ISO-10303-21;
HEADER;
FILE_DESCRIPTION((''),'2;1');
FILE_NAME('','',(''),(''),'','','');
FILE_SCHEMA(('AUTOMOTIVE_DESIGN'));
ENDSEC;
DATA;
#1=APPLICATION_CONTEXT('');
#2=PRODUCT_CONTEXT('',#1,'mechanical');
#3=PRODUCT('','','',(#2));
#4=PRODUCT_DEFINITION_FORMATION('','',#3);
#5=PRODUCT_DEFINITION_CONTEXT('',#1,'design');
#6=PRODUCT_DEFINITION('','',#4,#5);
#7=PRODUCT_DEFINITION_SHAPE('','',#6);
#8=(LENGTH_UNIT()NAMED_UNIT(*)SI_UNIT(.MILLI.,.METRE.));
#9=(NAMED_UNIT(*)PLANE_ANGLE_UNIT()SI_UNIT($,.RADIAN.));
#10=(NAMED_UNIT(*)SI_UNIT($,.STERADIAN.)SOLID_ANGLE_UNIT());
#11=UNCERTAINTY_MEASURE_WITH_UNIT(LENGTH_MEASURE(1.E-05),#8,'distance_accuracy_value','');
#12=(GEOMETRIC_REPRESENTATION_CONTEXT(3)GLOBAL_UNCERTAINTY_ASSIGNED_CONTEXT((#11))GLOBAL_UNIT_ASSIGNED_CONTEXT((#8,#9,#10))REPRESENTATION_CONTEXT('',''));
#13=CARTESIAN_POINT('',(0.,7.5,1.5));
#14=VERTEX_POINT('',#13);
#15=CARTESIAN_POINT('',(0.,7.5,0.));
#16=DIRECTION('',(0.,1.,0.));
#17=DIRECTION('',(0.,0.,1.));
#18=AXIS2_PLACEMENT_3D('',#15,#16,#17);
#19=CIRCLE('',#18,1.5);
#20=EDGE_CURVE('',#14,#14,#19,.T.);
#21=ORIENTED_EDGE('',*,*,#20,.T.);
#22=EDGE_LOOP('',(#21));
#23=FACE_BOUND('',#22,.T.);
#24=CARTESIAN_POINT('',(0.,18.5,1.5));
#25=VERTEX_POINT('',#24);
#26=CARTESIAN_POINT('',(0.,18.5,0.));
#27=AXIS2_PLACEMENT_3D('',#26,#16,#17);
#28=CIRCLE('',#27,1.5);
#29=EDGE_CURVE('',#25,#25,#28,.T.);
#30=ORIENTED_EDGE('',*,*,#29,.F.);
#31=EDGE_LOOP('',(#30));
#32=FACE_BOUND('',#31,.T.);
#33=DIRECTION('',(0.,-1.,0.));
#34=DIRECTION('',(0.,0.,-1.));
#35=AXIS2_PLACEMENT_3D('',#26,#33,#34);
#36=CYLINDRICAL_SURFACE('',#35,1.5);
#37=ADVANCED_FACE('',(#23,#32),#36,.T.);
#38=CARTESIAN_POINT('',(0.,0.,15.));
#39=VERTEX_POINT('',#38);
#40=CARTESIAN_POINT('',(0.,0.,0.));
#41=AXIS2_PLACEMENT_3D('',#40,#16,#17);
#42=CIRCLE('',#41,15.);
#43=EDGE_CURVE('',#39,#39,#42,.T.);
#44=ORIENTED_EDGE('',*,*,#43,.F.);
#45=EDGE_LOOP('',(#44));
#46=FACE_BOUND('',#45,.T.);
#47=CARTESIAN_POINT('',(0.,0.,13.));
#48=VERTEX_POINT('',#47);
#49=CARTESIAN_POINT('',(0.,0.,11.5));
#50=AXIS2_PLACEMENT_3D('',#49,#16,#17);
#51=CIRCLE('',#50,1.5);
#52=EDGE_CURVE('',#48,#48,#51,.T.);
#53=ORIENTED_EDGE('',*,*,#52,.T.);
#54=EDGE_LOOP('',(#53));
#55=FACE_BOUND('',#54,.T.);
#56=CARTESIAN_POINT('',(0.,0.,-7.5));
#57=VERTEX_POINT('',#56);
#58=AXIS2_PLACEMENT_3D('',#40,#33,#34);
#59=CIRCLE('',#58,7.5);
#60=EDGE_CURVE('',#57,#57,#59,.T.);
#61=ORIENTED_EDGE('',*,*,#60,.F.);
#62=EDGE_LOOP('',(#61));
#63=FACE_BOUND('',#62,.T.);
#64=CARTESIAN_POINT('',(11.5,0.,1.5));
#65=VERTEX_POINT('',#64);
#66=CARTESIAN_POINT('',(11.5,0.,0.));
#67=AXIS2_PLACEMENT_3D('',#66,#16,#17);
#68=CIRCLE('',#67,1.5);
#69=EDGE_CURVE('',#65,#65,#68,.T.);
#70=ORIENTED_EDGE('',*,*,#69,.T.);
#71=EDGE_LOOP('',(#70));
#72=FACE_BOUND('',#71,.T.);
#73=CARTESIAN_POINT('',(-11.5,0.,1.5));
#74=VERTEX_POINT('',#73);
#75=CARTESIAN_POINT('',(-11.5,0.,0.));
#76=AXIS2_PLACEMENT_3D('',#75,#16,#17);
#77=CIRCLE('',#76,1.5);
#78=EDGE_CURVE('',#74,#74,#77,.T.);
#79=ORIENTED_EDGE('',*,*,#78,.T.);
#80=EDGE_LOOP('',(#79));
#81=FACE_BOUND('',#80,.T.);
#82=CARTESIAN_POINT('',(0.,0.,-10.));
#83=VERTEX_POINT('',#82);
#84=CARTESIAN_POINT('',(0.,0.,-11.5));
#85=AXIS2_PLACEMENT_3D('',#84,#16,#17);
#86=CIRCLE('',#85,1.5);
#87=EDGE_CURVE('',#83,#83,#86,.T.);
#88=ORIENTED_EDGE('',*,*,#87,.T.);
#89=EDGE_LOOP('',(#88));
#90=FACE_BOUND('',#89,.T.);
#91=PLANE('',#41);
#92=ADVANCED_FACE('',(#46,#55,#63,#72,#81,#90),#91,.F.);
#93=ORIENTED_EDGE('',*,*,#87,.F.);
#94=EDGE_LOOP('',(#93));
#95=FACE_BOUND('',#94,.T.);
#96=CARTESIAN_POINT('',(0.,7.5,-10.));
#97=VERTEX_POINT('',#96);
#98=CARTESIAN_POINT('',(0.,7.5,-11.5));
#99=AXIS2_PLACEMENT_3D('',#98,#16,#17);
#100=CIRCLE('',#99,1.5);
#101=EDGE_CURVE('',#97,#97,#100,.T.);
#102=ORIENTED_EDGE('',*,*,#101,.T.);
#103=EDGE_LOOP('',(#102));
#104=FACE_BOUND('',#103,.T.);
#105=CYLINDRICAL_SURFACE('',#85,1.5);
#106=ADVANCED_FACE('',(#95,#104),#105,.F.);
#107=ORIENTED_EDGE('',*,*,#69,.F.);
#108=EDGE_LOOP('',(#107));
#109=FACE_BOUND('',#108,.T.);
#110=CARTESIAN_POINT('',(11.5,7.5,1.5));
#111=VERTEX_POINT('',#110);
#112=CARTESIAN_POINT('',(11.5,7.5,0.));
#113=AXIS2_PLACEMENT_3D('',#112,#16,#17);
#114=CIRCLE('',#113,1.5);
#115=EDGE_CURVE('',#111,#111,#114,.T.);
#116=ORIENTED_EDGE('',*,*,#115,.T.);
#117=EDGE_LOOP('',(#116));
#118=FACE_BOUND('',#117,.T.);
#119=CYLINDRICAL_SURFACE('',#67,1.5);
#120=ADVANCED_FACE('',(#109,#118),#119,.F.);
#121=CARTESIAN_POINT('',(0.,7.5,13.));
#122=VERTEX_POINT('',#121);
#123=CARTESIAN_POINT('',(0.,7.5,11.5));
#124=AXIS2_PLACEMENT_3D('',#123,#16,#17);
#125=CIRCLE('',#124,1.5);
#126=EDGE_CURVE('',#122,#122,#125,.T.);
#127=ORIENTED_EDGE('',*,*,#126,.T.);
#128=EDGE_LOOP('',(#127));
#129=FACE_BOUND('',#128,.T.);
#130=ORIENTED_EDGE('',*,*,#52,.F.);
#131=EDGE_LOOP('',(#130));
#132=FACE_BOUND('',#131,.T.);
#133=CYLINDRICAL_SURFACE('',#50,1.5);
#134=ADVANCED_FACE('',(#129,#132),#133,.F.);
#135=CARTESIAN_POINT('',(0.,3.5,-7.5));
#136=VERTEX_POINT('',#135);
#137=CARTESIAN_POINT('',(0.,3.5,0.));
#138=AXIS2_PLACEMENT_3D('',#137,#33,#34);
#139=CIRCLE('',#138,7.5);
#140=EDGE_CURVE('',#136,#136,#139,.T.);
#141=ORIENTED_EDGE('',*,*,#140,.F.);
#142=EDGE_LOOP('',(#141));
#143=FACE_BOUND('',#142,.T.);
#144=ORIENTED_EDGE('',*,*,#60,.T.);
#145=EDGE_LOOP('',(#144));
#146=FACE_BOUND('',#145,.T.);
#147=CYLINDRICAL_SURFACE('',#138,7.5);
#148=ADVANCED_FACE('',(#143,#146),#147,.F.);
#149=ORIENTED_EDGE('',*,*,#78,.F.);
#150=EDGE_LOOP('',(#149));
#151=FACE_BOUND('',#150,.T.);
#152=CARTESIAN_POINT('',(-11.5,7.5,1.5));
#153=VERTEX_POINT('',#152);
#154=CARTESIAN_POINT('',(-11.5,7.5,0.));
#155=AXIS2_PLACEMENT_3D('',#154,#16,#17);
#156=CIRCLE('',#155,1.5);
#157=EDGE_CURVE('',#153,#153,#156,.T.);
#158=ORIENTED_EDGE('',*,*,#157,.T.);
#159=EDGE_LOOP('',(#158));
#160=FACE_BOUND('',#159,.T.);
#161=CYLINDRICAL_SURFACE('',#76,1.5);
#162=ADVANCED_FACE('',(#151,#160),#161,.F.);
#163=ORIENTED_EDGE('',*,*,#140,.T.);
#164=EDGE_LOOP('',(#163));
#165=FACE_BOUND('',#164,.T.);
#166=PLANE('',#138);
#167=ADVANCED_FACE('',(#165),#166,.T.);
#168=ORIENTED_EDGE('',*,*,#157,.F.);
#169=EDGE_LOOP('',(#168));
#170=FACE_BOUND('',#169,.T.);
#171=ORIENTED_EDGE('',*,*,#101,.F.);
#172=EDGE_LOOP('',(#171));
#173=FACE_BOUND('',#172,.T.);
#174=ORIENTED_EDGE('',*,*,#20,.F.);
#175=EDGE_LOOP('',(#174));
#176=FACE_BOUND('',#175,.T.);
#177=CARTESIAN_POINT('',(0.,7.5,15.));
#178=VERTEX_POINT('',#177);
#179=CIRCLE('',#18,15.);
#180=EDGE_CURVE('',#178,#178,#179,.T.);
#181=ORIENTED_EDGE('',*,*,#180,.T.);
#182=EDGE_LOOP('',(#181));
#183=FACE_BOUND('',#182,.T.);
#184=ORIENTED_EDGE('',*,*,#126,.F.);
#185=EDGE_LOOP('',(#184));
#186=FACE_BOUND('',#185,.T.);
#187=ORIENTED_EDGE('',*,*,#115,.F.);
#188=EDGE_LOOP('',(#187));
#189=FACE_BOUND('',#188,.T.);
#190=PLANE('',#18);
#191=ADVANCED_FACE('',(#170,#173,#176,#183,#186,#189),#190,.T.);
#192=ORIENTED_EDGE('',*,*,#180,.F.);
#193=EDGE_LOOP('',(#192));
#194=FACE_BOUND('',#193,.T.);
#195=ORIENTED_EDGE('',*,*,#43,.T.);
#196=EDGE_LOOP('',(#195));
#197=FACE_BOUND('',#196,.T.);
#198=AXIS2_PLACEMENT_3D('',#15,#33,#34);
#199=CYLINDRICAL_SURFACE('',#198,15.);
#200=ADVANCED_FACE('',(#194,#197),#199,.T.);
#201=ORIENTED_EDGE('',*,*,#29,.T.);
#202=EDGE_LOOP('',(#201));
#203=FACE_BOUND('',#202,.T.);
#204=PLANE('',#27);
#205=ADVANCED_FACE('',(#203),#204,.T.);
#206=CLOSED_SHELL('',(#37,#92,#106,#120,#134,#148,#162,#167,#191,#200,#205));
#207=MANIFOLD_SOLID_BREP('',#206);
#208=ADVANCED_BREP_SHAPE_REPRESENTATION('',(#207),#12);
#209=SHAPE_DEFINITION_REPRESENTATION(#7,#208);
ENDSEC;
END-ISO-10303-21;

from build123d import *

# Parameters (mm, degrees)
SKETCH1_R           = 15
BOSS_EXTRUDE1_DEPTH = 7.5
SKETCH2_R           = 1.5
BOSS_EXTRUDE2_DEPTH = 11
SKETCH4_R           = 7.5
CUT_EXTRUDE3_DEPTH  = 3.5
SKETCH6_R           = 1.5
CUT_EXTRUDE4_DEPTH  = 24.895606291


with BuildPart() as part:
    # Sketch1 → Boss-Extrude1 (new body)
    with BuildSketch(Plane(origin=(0, 0, 0), x_dir=(1, 0, 0), z_dir=(0, 1, 0))):
        with Locations(Location((0, 0, 0), (0, 0, 270))):
            Circle(SKETCH1_R)
    extrude(amount=BOSS_EXTRUDE1_DEPTH)

    # Sketch2 → Boss-Extrude2 (add)
    with BuildSketch(Plane(origin=(0, 7.5, 0), x_dir=(1, 0, 0), z_dir=(0, 1, 0))):
        with Locations(Location((0, 0, 0), (0, 0, 270))):
            Circle(SKETCH2_R)
    extrude(amount=BOSS_EXTRUDE2_DEPTH)

    # Sketch4 → Cut-Extrude3 (cut)
    with BuildSketch(Plane.XZ):
        with Locations(Location((0, 0, 0), (0, 0, 270))):
            Circle(SKETCH4_R)
    extrude(amount=-CUT_EXTRUDE3_DEPTH, mode=Mode.SUBTRACT)

    # Sketch6 → Cut-Extrude4 (cut, through all)
    with BuildSketch(Plane(origin=(0, 7.5, 0), x_dir=(1, 0, 0), z_dir=(0, 1, 0))):
        with Locations(Location((0, 11.5, 0), (0, 0, 270))):
            Circle(SKETCH6_R)
        with Locations(Location((11.5, 0, 0), (0, 0, 270))):
            Circle(SKETCH6_R)
        with Locations(Location((0, -11.5, 0), (0, 0, 270))):
            Circle(SKETCH6_R)
        with Locations(Location((-11.5, 0, 0), (0, 0, 270))):
            Circle(SKETCH6_R)
    extrude(amount=-CUT_EXTRUDE4_DEPTH, mode=Mode.SUBTRACT)


solid = part.part
